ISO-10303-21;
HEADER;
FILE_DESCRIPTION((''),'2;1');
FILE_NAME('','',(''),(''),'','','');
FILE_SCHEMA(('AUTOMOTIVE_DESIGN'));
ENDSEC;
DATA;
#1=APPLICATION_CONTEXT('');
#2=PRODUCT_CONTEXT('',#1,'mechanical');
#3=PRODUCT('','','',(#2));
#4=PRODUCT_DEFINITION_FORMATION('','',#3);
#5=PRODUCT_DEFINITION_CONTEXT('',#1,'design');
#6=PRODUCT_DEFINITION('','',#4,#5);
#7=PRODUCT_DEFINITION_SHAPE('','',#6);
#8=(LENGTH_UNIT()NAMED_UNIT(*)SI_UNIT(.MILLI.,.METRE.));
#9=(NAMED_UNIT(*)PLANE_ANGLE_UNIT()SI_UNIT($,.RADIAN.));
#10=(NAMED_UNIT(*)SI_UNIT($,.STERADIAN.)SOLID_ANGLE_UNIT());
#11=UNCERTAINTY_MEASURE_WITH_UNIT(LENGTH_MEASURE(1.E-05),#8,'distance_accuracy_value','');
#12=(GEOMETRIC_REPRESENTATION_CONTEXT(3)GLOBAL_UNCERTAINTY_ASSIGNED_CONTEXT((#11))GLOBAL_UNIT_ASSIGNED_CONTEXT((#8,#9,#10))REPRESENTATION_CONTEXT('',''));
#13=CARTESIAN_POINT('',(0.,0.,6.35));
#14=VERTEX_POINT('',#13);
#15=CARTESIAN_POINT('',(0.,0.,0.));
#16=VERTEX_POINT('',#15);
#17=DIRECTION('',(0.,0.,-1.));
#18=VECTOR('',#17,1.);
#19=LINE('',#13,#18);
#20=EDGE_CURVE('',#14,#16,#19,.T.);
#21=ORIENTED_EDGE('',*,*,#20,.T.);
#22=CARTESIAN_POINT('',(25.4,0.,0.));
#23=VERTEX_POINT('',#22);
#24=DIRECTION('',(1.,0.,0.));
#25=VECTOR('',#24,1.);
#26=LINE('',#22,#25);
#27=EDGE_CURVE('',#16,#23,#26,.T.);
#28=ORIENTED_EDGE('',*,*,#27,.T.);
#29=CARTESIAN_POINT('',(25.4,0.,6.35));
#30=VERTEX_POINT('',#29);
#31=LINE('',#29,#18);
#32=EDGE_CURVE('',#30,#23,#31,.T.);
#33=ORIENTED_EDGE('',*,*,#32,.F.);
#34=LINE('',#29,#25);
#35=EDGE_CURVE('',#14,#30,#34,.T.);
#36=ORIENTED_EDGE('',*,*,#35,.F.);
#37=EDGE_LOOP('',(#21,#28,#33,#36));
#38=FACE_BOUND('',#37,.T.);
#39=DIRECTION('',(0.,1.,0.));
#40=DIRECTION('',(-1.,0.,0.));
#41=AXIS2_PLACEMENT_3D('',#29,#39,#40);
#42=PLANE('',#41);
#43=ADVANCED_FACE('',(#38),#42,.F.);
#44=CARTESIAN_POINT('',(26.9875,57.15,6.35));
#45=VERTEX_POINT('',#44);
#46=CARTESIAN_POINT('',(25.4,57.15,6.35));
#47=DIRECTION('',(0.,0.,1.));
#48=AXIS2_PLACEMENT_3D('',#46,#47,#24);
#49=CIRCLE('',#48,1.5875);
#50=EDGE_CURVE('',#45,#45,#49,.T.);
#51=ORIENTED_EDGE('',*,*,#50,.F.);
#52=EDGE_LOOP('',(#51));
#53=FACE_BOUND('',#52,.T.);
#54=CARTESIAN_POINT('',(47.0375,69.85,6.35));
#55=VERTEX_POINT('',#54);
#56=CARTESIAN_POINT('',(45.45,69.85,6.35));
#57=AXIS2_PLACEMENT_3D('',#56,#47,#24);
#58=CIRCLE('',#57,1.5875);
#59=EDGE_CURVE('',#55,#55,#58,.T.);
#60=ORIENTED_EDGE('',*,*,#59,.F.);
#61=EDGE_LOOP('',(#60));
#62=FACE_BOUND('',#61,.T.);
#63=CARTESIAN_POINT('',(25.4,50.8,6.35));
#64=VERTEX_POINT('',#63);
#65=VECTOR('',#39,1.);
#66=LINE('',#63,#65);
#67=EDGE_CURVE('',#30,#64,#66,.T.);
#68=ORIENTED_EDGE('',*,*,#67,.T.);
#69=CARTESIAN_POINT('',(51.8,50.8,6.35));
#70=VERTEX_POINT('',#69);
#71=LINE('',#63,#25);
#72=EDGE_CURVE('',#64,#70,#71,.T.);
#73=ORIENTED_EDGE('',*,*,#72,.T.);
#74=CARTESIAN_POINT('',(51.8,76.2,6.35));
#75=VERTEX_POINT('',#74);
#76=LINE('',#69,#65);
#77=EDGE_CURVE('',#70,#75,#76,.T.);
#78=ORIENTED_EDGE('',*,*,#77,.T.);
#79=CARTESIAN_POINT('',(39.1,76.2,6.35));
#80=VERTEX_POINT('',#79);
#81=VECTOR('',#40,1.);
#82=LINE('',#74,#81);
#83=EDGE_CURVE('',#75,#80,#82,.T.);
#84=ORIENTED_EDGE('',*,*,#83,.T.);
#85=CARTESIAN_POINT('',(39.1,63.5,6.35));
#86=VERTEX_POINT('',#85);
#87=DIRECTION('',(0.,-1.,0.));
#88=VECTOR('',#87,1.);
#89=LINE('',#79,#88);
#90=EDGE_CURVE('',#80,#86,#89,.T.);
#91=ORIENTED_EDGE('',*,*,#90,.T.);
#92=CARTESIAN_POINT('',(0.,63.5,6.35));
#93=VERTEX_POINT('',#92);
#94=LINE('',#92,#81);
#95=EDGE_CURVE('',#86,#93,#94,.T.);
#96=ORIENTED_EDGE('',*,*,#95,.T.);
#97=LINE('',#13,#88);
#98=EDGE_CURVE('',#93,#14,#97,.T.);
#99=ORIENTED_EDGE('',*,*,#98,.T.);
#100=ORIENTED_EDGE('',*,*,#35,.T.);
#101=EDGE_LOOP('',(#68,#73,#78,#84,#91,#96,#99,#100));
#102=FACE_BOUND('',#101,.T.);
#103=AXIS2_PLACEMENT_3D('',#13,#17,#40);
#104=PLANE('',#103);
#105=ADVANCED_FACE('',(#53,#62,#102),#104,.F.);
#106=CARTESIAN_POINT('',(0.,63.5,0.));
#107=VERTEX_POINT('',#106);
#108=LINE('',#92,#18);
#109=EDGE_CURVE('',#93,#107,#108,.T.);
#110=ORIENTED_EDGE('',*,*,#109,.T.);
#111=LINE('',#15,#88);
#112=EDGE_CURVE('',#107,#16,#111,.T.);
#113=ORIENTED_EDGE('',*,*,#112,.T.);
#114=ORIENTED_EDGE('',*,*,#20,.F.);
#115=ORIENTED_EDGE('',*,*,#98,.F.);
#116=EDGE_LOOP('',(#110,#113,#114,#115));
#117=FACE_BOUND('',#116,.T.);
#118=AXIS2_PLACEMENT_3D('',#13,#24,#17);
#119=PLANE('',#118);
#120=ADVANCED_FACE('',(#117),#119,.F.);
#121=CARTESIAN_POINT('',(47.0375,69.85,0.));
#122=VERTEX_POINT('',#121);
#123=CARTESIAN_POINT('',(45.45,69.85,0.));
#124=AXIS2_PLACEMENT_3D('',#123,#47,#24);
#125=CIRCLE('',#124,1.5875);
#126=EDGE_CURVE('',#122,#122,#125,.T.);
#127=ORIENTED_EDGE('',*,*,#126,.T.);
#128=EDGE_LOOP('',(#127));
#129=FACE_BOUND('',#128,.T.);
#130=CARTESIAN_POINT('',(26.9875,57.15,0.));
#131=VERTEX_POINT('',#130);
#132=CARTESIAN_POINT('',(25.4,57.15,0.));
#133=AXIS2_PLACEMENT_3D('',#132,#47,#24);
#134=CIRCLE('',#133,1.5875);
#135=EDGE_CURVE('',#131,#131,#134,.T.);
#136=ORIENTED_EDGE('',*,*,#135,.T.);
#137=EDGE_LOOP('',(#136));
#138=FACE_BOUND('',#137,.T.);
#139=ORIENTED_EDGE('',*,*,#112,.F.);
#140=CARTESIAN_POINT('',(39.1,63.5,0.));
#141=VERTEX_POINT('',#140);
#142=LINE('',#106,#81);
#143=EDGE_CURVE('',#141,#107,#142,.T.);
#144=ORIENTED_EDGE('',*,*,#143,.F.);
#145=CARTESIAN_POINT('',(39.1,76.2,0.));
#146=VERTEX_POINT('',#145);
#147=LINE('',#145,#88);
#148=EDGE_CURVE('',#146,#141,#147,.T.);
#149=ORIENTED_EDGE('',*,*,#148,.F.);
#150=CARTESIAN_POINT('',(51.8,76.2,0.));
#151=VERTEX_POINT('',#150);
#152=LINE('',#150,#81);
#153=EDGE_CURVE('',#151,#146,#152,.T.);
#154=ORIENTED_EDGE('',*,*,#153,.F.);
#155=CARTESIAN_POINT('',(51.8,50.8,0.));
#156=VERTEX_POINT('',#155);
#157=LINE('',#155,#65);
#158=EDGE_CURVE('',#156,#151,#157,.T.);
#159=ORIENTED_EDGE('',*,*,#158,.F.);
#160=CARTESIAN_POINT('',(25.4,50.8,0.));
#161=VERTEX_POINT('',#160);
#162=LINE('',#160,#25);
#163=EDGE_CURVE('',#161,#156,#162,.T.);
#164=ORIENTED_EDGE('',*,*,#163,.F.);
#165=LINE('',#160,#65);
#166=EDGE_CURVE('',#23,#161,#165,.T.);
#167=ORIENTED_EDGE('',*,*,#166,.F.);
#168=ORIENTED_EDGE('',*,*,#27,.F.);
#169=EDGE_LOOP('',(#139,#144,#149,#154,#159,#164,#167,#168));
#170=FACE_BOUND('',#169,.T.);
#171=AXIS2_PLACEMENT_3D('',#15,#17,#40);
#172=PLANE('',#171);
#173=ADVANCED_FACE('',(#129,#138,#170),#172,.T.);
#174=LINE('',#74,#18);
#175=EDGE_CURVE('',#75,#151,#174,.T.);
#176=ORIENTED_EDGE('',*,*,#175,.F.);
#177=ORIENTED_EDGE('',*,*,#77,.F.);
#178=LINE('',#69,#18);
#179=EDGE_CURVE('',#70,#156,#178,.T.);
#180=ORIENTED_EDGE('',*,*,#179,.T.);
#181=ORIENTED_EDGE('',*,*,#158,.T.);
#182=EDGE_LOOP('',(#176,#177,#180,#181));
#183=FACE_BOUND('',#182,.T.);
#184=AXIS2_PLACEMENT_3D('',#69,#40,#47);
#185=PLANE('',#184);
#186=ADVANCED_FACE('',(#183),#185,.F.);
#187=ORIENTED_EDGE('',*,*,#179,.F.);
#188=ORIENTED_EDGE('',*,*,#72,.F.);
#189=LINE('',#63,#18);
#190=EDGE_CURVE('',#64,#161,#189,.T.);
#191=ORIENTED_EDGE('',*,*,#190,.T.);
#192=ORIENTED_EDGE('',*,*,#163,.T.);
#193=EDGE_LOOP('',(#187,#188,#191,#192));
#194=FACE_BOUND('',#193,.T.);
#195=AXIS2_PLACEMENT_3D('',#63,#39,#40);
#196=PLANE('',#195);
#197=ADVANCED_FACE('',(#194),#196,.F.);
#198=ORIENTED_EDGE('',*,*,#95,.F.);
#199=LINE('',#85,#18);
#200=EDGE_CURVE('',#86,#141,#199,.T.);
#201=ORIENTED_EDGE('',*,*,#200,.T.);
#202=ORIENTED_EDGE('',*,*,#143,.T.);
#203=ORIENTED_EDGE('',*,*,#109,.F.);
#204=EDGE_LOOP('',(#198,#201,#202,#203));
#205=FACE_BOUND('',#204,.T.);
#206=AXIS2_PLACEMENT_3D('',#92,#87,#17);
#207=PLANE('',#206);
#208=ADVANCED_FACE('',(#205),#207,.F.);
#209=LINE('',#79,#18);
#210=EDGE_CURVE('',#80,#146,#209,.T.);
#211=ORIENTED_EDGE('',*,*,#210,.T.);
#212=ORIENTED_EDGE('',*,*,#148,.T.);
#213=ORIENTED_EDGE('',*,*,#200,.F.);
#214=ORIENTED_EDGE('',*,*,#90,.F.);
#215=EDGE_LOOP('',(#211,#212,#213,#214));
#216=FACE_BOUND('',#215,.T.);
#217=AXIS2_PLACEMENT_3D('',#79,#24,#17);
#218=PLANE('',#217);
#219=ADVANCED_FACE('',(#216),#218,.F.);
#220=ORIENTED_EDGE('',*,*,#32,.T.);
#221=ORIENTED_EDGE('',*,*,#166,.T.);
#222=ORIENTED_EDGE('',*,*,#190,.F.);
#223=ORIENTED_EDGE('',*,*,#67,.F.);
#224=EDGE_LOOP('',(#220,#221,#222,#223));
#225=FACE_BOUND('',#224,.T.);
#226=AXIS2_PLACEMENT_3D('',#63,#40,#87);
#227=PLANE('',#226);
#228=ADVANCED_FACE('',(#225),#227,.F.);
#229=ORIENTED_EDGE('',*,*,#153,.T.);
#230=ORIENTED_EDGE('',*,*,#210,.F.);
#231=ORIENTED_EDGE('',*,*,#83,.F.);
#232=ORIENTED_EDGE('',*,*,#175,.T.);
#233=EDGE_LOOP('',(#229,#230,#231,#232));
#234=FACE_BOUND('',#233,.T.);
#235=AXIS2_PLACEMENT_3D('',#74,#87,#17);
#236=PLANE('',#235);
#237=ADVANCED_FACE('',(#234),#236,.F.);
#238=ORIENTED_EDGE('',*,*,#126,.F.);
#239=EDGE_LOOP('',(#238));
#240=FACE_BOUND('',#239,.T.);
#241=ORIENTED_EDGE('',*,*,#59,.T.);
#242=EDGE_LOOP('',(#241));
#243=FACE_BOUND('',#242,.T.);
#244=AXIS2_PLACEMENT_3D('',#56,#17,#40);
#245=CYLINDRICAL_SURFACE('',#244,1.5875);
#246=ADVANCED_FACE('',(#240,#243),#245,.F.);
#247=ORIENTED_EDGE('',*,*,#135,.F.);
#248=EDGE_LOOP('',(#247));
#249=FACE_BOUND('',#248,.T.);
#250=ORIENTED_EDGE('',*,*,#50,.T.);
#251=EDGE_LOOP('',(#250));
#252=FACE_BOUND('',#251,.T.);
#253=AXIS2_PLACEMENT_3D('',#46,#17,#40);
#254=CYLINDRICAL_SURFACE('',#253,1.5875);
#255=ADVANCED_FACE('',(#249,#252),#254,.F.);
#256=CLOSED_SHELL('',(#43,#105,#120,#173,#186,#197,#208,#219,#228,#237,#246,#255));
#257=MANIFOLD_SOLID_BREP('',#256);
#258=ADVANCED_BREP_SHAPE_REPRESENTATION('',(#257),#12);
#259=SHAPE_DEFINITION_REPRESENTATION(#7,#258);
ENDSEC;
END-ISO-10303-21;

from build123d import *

# Parameters (mm, degrees)
SKETCH1_R           = 1.5875
BOSS_EXTRUDE2_DEPTH = 6.35


with BuildPart() as part:
    # Sketch1 → Boss-Extrude2 (new body)
    with BuildSketch(Plane.XY):
        Polygon((25.4, 50.8), (51.8, 50.8), (51.8, 76.2), (39.1, 76.2), (39.1, 63.5), (0, 63.5), (0, 0), (25.4, 0), align=None)
        with Locations((25.4, 57.15)):
            Circle(SKETCH1_R, mode=Mode.SUBTRACT)
        with Locations((45.45, 69.85)):
            Circle(SKETCH1_R, mode=Mode.SUBTRACT)
    extrude(amount=BOSS_EXTRUDE2_DEPTH)


solid = part.part
